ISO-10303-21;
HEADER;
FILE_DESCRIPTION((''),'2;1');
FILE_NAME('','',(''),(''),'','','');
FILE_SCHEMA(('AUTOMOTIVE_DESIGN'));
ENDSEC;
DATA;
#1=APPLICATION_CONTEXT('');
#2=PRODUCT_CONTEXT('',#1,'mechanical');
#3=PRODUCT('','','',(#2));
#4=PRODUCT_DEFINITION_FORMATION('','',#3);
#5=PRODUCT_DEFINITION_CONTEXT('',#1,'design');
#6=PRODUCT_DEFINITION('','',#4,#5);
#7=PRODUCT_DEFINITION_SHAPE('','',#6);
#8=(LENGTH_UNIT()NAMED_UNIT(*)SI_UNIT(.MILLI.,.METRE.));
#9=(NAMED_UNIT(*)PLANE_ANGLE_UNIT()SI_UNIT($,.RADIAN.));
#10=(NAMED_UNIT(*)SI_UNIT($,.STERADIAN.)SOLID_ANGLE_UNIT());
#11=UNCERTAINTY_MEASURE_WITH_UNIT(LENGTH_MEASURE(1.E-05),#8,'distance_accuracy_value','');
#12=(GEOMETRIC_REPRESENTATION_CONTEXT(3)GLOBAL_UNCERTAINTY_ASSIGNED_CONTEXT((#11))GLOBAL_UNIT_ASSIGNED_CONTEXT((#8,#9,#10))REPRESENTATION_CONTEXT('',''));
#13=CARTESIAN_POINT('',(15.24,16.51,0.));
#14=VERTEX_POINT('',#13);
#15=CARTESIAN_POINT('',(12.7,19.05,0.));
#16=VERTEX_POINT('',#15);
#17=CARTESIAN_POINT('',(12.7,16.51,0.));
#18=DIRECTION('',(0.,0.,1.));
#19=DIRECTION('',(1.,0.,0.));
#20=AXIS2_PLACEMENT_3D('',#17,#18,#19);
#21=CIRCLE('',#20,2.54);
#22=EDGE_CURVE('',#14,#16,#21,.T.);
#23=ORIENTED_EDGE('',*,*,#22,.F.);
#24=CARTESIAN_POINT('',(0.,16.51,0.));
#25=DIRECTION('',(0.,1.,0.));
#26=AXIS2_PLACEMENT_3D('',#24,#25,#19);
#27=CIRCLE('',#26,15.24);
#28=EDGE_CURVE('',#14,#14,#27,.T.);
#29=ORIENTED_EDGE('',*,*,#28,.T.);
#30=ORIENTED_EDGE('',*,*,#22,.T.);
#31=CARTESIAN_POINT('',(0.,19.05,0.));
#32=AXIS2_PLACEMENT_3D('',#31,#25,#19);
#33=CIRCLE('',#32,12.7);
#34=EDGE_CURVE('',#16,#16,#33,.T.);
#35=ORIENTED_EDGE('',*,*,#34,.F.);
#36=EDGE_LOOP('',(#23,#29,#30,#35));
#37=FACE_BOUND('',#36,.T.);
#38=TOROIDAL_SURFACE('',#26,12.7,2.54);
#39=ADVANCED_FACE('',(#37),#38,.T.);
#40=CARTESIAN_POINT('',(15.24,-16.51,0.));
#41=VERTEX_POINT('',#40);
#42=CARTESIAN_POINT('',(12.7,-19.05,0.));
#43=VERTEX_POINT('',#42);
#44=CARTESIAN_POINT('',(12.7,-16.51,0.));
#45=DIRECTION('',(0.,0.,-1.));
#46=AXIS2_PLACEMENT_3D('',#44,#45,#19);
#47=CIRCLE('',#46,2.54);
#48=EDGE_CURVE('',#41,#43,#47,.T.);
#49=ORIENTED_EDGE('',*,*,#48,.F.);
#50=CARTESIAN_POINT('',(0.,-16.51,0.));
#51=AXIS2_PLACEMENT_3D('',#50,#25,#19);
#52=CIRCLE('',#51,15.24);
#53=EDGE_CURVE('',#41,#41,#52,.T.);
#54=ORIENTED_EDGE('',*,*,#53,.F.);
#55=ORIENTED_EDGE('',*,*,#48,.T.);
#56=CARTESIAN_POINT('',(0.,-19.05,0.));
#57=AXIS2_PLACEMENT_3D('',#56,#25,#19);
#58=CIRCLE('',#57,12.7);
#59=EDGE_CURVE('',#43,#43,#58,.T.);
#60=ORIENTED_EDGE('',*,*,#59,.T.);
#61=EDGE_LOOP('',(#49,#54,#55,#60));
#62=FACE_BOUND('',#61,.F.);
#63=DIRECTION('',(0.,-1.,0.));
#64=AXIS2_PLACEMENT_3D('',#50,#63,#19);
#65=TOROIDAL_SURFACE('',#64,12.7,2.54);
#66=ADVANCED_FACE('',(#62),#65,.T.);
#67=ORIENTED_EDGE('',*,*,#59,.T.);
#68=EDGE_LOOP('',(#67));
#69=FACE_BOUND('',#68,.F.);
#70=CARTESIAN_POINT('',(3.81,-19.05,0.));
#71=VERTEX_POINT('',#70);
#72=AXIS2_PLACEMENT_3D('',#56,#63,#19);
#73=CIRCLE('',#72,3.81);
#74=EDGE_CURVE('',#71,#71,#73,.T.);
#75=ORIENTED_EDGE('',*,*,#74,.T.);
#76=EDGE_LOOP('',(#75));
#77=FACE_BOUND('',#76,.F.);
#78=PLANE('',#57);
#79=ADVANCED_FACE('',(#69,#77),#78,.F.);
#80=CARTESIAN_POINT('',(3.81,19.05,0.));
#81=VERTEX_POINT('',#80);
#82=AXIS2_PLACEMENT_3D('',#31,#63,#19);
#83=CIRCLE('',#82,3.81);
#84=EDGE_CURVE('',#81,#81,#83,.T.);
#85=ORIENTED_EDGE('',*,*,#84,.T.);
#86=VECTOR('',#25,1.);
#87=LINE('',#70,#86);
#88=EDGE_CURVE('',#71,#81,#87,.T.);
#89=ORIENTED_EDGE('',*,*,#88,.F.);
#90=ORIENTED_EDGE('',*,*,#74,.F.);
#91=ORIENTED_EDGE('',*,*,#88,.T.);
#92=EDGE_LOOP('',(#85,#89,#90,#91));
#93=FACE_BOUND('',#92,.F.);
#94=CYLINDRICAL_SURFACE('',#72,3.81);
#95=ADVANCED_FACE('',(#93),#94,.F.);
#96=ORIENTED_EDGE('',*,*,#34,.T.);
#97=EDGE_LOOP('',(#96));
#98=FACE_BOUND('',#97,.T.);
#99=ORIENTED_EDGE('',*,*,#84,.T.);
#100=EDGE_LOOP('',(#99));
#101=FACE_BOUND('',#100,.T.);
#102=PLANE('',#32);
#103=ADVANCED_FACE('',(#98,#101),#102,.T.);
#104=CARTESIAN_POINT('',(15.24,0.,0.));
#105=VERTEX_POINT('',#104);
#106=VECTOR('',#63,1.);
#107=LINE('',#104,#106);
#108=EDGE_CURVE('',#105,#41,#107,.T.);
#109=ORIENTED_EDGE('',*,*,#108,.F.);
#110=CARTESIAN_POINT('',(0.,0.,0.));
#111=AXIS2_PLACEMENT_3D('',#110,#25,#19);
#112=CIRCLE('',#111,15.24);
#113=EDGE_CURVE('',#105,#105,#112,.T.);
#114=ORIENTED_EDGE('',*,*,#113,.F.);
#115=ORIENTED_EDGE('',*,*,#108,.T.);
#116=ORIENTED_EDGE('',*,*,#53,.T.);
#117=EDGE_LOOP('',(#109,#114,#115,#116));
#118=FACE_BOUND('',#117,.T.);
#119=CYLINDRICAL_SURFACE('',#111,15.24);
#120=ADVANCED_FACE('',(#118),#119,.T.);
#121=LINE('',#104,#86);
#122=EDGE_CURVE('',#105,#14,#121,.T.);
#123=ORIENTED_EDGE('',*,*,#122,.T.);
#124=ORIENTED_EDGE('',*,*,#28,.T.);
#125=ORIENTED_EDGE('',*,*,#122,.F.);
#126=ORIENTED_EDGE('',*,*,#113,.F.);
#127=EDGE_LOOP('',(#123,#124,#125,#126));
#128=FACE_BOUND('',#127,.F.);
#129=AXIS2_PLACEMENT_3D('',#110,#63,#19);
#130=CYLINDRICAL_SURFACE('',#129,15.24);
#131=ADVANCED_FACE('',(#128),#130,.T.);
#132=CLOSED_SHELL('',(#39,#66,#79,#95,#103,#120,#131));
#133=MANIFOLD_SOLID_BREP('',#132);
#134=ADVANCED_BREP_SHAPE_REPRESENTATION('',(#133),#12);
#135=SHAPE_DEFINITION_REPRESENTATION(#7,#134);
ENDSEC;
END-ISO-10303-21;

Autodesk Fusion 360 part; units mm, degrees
sketch "Sketch1" plane through (0, 0, 0) normal (0, 1, 0) x (1, 0, 0)
  circle A0 centre (0, 0) radius 15.24
  dimension "d1" = 30.48
extrude "Extrude1" add sketch "Sketch1" along normal mid plane 38.1
fillet "Fillet1" radius 2.54 2 edges at (-14.2087, -19.05, -5.511) (-14.2087, 19.05, 5.511)
sketch "Sketch2" plane through (0, -19.05, 0) normal (0, -1, 0) x (1, 0, 0)
  circle A0 centre (0, 0) radius 12.7
  circle A1 centre (0, 0) radius 3.81
  dimension "d6" = 7.62
extrude "Extrude2" cut sketch "Sketch2" against normal through all contours A1
